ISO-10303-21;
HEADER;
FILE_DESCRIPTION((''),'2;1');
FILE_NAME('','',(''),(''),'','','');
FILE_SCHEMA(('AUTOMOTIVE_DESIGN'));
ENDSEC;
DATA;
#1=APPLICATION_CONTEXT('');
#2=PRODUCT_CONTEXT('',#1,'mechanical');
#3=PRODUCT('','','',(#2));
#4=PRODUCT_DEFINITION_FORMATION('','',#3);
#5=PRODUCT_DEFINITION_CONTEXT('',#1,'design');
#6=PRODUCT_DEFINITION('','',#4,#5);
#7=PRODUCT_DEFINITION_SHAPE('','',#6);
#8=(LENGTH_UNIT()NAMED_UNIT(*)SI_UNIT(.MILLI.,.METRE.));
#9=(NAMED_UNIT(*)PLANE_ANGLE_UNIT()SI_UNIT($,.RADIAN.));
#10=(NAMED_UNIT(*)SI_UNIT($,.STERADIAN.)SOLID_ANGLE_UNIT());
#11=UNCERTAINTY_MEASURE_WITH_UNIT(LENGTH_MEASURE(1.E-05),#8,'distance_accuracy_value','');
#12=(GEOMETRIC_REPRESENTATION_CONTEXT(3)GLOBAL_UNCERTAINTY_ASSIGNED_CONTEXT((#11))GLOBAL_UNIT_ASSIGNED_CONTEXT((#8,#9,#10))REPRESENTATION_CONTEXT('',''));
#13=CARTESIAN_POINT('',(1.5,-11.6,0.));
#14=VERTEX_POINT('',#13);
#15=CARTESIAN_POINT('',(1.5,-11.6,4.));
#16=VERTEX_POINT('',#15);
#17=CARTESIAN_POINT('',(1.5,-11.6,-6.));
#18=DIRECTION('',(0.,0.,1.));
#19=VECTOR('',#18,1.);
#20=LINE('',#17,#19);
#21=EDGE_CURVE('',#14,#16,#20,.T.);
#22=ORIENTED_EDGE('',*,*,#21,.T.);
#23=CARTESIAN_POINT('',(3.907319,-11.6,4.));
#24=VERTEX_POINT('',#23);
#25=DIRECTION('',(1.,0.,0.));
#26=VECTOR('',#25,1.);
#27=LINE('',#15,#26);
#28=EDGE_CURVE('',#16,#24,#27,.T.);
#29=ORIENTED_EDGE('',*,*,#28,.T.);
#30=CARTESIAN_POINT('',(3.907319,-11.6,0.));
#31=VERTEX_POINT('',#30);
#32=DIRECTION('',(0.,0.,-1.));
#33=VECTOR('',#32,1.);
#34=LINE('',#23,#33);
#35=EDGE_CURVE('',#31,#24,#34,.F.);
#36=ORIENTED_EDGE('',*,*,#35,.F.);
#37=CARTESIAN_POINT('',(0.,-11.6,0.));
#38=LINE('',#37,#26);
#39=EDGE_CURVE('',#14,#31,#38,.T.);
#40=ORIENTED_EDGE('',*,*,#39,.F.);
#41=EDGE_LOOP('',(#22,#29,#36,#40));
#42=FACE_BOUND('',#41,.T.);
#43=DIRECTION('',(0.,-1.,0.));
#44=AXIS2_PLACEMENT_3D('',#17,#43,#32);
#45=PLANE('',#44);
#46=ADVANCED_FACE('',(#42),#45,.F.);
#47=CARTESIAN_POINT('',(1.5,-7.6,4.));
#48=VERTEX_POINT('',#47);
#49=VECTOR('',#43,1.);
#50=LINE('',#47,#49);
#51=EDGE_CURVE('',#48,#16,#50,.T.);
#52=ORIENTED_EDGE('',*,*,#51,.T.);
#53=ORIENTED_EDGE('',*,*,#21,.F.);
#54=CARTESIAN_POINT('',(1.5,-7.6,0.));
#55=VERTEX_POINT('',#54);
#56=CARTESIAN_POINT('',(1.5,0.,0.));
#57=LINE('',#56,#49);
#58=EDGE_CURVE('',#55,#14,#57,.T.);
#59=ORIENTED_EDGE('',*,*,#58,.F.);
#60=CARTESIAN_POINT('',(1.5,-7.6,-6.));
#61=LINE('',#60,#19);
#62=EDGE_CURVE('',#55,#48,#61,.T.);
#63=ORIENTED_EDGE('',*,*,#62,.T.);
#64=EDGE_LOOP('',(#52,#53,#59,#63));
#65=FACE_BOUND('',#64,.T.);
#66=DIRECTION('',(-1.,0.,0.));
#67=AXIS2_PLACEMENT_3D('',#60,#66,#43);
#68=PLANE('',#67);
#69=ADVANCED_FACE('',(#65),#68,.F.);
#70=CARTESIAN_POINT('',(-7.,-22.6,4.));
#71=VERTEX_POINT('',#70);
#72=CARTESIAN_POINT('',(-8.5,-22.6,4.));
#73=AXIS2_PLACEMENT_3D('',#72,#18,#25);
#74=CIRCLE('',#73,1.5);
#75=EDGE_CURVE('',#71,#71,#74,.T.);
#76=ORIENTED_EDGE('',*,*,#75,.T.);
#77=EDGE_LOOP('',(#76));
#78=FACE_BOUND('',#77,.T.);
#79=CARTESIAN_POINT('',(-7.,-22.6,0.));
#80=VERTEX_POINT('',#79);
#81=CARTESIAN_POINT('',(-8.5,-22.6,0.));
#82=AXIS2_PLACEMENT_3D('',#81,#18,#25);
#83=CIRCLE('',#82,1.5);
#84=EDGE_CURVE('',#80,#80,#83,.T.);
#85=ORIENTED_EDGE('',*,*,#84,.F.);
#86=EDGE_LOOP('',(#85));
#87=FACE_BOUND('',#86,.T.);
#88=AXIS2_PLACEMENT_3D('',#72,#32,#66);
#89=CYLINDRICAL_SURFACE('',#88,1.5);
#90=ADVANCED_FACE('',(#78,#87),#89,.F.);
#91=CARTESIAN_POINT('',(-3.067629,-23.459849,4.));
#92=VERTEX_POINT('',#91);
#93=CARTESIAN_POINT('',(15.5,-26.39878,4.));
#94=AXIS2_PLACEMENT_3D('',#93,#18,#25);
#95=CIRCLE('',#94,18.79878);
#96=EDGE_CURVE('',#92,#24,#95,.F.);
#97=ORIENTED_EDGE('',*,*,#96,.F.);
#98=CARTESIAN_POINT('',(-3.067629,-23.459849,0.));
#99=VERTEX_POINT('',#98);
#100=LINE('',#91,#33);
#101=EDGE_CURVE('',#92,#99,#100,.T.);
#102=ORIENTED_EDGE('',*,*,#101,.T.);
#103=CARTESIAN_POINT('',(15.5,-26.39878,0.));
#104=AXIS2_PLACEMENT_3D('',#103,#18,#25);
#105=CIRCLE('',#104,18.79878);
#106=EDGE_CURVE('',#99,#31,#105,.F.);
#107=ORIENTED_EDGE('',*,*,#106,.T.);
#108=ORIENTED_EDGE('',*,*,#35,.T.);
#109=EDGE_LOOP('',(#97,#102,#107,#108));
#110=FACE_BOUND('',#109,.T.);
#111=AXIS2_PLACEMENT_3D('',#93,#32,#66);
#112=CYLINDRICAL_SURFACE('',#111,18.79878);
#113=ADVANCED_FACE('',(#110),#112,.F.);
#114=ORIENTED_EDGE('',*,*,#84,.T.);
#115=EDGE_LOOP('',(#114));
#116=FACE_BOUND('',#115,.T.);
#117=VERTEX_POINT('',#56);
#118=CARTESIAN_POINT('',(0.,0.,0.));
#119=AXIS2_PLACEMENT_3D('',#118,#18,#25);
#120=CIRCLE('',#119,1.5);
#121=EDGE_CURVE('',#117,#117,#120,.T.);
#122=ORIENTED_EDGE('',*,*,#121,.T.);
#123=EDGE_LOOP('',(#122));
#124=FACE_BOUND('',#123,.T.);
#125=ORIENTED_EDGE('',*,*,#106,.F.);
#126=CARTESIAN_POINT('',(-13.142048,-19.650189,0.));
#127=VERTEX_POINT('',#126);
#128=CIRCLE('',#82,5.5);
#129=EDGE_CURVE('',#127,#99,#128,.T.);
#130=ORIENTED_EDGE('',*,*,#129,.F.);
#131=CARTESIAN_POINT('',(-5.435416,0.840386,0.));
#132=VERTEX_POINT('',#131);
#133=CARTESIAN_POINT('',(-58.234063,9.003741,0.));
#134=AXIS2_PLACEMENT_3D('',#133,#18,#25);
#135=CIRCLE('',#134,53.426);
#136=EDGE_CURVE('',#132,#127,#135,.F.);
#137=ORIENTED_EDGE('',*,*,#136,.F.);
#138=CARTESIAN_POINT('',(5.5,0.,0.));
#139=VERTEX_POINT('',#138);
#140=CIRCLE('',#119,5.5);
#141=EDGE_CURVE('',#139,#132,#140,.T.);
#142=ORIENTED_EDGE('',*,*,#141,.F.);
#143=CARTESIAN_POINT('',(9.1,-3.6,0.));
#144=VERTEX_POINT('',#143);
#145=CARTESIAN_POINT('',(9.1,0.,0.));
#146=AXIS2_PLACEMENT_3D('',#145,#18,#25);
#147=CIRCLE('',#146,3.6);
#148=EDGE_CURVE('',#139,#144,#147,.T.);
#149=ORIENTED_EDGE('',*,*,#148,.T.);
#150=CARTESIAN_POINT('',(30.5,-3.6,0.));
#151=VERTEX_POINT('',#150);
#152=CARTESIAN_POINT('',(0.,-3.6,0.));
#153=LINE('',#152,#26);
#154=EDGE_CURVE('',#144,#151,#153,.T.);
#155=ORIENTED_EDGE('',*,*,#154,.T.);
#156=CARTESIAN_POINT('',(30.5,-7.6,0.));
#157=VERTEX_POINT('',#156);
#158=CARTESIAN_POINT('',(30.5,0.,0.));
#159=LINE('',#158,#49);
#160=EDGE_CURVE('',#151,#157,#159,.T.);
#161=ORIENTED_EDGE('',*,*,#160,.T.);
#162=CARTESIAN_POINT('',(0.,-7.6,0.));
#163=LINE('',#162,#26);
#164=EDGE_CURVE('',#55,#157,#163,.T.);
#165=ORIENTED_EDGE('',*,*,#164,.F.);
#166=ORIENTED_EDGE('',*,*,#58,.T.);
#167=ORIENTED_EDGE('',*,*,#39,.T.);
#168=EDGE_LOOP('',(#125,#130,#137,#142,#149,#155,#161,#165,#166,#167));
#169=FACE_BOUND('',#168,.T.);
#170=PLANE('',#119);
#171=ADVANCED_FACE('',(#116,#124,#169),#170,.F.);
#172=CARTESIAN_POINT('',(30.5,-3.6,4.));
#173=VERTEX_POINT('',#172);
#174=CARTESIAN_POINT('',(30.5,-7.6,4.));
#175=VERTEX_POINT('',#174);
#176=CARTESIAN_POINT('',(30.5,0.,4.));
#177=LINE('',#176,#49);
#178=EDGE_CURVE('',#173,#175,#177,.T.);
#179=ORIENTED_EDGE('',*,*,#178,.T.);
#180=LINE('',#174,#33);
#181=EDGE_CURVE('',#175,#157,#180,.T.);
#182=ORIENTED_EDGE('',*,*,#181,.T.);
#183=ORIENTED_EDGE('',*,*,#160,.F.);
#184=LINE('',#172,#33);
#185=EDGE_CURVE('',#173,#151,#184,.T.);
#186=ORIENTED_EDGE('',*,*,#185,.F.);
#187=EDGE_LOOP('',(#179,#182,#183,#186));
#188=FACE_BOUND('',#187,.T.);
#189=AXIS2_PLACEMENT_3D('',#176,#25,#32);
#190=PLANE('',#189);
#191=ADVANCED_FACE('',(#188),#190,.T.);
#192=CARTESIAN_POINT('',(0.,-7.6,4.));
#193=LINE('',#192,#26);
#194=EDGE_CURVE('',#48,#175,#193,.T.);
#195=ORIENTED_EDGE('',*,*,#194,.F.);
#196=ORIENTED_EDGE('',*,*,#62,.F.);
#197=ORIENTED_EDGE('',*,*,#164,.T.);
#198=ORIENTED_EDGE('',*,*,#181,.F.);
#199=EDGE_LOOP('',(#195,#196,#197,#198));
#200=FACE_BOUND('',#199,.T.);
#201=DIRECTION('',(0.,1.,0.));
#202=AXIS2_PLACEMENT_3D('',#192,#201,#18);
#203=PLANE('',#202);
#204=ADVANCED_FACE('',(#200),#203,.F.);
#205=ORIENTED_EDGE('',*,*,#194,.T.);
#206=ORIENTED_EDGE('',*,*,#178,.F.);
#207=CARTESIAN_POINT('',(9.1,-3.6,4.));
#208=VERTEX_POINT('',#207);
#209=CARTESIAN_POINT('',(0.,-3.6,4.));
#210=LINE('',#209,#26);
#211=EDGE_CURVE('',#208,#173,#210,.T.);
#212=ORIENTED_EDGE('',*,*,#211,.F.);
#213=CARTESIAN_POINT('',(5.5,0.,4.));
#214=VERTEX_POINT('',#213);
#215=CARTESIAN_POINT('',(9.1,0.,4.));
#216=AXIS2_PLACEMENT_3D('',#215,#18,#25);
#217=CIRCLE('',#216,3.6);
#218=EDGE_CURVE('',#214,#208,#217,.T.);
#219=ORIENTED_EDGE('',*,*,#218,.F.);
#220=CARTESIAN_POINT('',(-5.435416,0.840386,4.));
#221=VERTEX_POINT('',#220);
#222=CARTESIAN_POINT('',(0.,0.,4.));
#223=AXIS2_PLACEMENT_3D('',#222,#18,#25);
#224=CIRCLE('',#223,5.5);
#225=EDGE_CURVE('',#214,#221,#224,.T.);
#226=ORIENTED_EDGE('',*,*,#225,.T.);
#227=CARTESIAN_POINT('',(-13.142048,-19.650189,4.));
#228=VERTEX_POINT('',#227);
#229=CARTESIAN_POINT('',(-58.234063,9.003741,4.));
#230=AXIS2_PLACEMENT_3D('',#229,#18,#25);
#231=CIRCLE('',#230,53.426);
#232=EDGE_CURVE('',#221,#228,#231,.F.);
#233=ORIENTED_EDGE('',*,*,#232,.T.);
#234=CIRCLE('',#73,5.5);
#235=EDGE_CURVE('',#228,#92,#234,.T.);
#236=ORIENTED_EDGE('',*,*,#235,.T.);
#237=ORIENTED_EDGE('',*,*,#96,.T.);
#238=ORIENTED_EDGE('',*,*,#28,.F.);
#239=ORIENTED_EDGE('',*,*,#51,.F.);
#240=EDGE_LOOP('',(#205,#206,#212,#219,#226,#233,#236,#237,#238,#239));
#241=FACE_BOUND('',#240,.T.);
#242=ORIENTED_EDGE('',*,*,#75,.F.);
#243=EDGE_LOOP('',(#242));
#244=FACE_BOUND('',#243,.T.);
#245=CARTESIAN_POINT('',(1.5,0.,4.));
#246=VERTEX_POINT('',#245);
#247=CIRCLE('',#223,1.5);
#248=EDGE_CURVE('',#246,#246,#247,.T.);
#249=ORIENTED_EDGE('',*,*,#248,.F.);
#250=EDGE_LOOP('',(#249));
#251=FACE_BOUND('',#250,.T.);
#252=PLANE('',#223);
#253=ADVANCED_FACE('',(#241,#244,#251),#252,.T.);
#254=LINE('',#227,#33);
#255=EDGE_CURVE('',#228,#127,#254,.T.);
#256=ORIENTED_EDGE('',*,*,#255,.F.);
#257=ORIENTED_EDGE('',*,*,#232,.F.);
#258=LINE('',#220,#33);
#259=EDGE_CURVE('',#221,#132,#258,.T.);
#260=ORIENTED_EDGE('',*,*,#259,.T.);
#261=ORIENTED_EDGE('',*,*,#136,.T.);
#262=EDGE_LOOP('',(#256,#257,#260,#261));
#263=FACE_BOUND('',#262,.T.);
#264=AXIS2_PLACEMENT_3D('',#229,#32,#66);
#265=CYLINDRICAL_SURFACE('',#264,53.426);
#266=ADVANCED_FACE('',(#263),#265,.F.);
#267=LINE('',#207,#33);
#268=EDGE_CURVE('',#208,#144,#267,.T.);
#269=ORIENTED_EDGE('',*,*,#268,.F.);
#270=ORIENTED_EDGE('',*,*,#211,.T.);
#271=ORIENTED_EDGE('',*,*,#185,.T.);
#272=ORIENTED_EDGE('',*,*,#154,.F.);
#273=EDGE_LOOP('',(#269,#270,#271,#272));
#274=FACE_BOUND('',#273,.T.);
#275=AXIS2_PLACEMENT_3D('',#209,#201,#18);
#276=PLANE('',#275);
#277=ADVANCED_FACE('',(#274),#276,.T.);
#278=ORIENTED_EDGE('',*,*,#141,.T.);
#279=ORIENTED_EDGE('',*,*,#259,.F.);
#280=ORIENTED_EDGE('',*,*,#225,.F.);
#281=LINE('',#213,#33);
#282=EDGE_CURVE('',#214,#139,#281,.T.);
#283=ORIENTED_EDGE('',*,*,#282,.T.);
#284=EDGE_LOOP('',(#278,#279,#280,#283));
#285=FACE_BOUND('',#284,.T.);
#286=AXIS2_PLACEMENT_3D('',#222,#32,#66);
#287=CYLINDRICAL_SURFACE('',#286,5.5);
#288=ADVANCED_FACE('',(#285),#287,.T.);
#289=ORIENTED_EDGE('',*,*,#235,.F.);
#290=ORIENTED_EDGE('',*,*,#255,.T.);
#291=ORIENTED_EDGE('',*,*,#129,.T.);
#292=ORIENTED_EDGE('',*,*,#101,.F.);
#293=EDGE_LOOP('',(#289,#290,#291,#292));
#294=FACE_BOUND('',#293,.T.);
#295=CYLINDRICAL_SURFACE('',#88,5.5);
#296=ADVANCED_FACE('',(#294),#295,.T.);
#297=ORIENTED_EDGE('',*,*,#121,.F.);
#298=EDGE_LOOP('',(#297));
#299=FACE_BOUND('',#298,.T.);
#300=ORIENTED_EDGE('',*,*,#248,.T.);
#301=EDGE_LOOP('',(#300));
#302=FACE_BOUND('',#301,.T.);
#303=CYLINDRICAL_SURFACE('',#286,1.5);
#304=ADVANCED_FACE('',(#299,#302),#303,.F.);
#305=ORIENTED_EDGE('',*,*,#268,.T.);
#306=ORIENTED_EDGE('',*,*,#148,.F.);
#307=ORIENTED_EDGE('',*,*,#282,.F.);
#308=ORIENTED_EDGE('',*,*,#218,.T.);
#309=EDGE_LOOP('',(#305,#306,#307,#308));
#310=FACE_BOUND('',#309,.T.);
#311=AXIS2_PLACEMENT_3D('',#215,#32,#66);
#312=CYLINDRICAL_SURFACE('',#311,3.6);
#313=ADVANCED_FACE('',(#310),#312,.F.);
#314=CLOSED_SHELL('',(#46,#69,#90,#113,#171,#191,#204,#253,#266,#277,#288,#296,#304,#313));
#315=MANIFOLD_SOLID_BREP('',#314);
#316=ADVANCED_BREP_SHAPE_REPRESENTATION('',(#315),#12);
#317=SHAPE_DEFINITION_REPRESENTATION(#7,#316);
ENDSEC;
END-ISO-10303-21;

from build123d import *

# Parameters (mm, degrees)
SKETCH1_R           = 1.5
BOSS_EXTRUDE1_DEPTH = 4
SKETCH2_W           = 29
SKETCH2_H           = 4
CUT_EXTRUDE1_DEPTH  = 10


with BuildPart() as part:
    # Sketch1 → Boss-Extrude1 (new body)
    with BuildSketch(Plane.XY):
        with BuildLine():
            Line((30.5, -3.6), (9.1, -3.6))
            ThreePointArc((9.1, -3.6), (6.554415588, -2.545584412), (5.5, 0))
            ThreePointArc((5.5, 0), (0.421431882, 5.483830337), (-5.435416425, 0.840385797))
            ThreePointArc((-5.435416425, 0.840385797), (-8.227950432, -9.8038682), (-13.142048472, -19.650188822))
            ThreePointArc((-13.142048472, -19.650188822), (-10.445387128, -27.744460023), (-3.067628607, -23.459849435))
            ThreePointArc((-3.067628607, -23.459849435), (3.290458074, -12.104682623), (15.5, -7.6))
            Line((15.5, -7.6), (30.5, -7.6))
            Line((30.5, -7.6), (30.5, -3.6))
        make_face()
        Circle(SKETCH1_R, mode=Mode.SUBTRACT)
        with Locations((-8.5, -22.6)):
            Circle(SKETCH1_R, mode=Mode.SUBTRACT)
    extrude(amount=BOSS_EXTRUDE1_DEPTH)

    # Sketch2 → Cut-Extrude1 (cut)
    with BuildSketch(Plane.XY.offset(4)):
        with Locations((16, -9.6)):
            Rectangle(SKETCH2_W, SKETCH2_H)
    extrude(amount=-CUT_EXTRUDE1_DEPTH, mode=Mode.SUBTRACT)


solid = part.part
